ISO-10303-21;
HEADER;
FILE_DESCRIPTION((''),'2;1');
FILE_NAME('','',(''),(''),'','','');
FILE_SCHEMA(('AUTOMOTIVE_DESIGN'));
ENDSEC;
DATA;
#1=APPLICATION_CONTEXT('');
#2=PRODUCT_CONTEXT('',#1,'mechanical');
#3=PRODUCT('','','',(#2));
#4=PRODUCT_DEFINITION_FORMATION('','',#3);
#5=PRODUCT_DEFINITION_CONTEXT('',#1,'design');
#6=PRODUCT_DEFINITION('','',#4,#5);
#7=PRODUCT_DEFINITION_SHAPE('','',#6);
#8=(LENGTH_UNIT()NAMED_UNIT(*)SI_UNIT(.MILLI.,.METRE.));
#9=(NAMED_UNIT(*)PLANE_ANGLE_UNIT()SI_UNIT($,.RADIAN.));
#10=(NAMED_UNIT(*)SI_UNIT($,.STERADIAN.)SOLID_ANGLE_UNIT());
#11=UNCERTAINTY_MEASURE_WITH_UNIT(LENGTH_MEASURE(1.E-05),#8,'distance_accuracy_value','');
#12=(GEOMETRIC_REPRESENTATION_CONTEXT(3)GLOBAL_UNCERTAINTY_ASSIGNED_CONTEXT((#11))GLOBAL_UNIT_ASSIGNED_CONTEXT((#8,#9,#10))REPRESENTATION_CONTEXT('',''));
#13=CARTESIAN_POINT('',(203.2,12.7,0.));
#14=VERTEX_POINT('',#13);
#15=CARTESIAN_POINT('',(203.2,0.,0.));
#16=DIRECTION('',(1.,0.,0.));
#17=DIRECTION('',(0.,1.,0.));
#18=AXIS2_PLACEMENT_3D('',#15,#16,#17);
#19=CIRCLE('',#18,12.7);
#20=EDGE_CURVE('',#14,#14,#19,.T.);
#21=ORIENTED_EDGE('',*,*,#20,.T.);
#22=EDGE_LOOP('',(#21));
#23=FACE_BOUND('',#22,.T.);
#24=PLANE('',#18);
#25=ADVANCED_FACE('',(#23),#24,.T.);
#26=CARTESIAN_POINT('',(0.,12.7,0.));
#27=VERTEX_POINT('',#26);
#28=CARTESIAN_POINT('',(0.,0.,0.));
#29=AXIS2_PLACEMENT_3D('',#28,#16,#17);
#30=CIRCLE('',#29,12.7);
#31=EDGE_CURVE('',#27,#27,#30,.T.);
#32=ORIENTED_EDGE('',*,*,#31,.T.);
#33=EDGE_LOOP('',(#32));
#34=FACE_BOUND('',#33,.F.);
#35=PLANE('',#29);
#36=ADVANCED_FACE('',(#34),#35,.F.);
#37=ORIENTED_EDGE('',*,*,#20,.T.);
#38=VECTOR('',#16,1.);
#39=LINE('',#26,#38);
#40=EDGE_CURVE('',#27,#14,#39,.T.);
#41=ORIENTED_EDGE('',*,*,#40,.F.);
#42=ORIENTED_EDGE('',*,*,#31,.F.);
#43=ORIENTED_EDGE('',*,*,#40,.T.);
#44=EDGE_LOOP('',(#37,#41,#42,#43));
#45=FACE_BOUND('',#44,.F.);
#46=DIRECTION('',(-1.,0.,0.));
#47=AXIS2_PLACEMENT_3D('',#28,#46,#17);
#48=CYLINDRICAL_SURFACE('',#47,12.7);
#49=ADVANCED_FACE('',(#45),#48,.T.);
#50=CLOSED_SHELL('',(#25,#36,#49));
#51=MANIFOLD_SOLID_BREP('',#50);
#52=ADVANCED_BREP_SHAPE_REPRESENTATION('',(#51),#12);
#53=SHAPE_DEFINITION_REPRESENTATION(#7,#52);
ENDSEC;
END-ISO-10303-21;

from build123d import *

# Parameters (mm, degrees)
F0_R     = 12.7
F1_DEPTH = 203.2


with BuildPart() as f1:
    # F0 (on Right) → F1 (new body)
    with BuildSketch(Plane.YZ):
        Circle(F0_R)
    extrude(amount=F1_DEPTH)


solid = f1.part
